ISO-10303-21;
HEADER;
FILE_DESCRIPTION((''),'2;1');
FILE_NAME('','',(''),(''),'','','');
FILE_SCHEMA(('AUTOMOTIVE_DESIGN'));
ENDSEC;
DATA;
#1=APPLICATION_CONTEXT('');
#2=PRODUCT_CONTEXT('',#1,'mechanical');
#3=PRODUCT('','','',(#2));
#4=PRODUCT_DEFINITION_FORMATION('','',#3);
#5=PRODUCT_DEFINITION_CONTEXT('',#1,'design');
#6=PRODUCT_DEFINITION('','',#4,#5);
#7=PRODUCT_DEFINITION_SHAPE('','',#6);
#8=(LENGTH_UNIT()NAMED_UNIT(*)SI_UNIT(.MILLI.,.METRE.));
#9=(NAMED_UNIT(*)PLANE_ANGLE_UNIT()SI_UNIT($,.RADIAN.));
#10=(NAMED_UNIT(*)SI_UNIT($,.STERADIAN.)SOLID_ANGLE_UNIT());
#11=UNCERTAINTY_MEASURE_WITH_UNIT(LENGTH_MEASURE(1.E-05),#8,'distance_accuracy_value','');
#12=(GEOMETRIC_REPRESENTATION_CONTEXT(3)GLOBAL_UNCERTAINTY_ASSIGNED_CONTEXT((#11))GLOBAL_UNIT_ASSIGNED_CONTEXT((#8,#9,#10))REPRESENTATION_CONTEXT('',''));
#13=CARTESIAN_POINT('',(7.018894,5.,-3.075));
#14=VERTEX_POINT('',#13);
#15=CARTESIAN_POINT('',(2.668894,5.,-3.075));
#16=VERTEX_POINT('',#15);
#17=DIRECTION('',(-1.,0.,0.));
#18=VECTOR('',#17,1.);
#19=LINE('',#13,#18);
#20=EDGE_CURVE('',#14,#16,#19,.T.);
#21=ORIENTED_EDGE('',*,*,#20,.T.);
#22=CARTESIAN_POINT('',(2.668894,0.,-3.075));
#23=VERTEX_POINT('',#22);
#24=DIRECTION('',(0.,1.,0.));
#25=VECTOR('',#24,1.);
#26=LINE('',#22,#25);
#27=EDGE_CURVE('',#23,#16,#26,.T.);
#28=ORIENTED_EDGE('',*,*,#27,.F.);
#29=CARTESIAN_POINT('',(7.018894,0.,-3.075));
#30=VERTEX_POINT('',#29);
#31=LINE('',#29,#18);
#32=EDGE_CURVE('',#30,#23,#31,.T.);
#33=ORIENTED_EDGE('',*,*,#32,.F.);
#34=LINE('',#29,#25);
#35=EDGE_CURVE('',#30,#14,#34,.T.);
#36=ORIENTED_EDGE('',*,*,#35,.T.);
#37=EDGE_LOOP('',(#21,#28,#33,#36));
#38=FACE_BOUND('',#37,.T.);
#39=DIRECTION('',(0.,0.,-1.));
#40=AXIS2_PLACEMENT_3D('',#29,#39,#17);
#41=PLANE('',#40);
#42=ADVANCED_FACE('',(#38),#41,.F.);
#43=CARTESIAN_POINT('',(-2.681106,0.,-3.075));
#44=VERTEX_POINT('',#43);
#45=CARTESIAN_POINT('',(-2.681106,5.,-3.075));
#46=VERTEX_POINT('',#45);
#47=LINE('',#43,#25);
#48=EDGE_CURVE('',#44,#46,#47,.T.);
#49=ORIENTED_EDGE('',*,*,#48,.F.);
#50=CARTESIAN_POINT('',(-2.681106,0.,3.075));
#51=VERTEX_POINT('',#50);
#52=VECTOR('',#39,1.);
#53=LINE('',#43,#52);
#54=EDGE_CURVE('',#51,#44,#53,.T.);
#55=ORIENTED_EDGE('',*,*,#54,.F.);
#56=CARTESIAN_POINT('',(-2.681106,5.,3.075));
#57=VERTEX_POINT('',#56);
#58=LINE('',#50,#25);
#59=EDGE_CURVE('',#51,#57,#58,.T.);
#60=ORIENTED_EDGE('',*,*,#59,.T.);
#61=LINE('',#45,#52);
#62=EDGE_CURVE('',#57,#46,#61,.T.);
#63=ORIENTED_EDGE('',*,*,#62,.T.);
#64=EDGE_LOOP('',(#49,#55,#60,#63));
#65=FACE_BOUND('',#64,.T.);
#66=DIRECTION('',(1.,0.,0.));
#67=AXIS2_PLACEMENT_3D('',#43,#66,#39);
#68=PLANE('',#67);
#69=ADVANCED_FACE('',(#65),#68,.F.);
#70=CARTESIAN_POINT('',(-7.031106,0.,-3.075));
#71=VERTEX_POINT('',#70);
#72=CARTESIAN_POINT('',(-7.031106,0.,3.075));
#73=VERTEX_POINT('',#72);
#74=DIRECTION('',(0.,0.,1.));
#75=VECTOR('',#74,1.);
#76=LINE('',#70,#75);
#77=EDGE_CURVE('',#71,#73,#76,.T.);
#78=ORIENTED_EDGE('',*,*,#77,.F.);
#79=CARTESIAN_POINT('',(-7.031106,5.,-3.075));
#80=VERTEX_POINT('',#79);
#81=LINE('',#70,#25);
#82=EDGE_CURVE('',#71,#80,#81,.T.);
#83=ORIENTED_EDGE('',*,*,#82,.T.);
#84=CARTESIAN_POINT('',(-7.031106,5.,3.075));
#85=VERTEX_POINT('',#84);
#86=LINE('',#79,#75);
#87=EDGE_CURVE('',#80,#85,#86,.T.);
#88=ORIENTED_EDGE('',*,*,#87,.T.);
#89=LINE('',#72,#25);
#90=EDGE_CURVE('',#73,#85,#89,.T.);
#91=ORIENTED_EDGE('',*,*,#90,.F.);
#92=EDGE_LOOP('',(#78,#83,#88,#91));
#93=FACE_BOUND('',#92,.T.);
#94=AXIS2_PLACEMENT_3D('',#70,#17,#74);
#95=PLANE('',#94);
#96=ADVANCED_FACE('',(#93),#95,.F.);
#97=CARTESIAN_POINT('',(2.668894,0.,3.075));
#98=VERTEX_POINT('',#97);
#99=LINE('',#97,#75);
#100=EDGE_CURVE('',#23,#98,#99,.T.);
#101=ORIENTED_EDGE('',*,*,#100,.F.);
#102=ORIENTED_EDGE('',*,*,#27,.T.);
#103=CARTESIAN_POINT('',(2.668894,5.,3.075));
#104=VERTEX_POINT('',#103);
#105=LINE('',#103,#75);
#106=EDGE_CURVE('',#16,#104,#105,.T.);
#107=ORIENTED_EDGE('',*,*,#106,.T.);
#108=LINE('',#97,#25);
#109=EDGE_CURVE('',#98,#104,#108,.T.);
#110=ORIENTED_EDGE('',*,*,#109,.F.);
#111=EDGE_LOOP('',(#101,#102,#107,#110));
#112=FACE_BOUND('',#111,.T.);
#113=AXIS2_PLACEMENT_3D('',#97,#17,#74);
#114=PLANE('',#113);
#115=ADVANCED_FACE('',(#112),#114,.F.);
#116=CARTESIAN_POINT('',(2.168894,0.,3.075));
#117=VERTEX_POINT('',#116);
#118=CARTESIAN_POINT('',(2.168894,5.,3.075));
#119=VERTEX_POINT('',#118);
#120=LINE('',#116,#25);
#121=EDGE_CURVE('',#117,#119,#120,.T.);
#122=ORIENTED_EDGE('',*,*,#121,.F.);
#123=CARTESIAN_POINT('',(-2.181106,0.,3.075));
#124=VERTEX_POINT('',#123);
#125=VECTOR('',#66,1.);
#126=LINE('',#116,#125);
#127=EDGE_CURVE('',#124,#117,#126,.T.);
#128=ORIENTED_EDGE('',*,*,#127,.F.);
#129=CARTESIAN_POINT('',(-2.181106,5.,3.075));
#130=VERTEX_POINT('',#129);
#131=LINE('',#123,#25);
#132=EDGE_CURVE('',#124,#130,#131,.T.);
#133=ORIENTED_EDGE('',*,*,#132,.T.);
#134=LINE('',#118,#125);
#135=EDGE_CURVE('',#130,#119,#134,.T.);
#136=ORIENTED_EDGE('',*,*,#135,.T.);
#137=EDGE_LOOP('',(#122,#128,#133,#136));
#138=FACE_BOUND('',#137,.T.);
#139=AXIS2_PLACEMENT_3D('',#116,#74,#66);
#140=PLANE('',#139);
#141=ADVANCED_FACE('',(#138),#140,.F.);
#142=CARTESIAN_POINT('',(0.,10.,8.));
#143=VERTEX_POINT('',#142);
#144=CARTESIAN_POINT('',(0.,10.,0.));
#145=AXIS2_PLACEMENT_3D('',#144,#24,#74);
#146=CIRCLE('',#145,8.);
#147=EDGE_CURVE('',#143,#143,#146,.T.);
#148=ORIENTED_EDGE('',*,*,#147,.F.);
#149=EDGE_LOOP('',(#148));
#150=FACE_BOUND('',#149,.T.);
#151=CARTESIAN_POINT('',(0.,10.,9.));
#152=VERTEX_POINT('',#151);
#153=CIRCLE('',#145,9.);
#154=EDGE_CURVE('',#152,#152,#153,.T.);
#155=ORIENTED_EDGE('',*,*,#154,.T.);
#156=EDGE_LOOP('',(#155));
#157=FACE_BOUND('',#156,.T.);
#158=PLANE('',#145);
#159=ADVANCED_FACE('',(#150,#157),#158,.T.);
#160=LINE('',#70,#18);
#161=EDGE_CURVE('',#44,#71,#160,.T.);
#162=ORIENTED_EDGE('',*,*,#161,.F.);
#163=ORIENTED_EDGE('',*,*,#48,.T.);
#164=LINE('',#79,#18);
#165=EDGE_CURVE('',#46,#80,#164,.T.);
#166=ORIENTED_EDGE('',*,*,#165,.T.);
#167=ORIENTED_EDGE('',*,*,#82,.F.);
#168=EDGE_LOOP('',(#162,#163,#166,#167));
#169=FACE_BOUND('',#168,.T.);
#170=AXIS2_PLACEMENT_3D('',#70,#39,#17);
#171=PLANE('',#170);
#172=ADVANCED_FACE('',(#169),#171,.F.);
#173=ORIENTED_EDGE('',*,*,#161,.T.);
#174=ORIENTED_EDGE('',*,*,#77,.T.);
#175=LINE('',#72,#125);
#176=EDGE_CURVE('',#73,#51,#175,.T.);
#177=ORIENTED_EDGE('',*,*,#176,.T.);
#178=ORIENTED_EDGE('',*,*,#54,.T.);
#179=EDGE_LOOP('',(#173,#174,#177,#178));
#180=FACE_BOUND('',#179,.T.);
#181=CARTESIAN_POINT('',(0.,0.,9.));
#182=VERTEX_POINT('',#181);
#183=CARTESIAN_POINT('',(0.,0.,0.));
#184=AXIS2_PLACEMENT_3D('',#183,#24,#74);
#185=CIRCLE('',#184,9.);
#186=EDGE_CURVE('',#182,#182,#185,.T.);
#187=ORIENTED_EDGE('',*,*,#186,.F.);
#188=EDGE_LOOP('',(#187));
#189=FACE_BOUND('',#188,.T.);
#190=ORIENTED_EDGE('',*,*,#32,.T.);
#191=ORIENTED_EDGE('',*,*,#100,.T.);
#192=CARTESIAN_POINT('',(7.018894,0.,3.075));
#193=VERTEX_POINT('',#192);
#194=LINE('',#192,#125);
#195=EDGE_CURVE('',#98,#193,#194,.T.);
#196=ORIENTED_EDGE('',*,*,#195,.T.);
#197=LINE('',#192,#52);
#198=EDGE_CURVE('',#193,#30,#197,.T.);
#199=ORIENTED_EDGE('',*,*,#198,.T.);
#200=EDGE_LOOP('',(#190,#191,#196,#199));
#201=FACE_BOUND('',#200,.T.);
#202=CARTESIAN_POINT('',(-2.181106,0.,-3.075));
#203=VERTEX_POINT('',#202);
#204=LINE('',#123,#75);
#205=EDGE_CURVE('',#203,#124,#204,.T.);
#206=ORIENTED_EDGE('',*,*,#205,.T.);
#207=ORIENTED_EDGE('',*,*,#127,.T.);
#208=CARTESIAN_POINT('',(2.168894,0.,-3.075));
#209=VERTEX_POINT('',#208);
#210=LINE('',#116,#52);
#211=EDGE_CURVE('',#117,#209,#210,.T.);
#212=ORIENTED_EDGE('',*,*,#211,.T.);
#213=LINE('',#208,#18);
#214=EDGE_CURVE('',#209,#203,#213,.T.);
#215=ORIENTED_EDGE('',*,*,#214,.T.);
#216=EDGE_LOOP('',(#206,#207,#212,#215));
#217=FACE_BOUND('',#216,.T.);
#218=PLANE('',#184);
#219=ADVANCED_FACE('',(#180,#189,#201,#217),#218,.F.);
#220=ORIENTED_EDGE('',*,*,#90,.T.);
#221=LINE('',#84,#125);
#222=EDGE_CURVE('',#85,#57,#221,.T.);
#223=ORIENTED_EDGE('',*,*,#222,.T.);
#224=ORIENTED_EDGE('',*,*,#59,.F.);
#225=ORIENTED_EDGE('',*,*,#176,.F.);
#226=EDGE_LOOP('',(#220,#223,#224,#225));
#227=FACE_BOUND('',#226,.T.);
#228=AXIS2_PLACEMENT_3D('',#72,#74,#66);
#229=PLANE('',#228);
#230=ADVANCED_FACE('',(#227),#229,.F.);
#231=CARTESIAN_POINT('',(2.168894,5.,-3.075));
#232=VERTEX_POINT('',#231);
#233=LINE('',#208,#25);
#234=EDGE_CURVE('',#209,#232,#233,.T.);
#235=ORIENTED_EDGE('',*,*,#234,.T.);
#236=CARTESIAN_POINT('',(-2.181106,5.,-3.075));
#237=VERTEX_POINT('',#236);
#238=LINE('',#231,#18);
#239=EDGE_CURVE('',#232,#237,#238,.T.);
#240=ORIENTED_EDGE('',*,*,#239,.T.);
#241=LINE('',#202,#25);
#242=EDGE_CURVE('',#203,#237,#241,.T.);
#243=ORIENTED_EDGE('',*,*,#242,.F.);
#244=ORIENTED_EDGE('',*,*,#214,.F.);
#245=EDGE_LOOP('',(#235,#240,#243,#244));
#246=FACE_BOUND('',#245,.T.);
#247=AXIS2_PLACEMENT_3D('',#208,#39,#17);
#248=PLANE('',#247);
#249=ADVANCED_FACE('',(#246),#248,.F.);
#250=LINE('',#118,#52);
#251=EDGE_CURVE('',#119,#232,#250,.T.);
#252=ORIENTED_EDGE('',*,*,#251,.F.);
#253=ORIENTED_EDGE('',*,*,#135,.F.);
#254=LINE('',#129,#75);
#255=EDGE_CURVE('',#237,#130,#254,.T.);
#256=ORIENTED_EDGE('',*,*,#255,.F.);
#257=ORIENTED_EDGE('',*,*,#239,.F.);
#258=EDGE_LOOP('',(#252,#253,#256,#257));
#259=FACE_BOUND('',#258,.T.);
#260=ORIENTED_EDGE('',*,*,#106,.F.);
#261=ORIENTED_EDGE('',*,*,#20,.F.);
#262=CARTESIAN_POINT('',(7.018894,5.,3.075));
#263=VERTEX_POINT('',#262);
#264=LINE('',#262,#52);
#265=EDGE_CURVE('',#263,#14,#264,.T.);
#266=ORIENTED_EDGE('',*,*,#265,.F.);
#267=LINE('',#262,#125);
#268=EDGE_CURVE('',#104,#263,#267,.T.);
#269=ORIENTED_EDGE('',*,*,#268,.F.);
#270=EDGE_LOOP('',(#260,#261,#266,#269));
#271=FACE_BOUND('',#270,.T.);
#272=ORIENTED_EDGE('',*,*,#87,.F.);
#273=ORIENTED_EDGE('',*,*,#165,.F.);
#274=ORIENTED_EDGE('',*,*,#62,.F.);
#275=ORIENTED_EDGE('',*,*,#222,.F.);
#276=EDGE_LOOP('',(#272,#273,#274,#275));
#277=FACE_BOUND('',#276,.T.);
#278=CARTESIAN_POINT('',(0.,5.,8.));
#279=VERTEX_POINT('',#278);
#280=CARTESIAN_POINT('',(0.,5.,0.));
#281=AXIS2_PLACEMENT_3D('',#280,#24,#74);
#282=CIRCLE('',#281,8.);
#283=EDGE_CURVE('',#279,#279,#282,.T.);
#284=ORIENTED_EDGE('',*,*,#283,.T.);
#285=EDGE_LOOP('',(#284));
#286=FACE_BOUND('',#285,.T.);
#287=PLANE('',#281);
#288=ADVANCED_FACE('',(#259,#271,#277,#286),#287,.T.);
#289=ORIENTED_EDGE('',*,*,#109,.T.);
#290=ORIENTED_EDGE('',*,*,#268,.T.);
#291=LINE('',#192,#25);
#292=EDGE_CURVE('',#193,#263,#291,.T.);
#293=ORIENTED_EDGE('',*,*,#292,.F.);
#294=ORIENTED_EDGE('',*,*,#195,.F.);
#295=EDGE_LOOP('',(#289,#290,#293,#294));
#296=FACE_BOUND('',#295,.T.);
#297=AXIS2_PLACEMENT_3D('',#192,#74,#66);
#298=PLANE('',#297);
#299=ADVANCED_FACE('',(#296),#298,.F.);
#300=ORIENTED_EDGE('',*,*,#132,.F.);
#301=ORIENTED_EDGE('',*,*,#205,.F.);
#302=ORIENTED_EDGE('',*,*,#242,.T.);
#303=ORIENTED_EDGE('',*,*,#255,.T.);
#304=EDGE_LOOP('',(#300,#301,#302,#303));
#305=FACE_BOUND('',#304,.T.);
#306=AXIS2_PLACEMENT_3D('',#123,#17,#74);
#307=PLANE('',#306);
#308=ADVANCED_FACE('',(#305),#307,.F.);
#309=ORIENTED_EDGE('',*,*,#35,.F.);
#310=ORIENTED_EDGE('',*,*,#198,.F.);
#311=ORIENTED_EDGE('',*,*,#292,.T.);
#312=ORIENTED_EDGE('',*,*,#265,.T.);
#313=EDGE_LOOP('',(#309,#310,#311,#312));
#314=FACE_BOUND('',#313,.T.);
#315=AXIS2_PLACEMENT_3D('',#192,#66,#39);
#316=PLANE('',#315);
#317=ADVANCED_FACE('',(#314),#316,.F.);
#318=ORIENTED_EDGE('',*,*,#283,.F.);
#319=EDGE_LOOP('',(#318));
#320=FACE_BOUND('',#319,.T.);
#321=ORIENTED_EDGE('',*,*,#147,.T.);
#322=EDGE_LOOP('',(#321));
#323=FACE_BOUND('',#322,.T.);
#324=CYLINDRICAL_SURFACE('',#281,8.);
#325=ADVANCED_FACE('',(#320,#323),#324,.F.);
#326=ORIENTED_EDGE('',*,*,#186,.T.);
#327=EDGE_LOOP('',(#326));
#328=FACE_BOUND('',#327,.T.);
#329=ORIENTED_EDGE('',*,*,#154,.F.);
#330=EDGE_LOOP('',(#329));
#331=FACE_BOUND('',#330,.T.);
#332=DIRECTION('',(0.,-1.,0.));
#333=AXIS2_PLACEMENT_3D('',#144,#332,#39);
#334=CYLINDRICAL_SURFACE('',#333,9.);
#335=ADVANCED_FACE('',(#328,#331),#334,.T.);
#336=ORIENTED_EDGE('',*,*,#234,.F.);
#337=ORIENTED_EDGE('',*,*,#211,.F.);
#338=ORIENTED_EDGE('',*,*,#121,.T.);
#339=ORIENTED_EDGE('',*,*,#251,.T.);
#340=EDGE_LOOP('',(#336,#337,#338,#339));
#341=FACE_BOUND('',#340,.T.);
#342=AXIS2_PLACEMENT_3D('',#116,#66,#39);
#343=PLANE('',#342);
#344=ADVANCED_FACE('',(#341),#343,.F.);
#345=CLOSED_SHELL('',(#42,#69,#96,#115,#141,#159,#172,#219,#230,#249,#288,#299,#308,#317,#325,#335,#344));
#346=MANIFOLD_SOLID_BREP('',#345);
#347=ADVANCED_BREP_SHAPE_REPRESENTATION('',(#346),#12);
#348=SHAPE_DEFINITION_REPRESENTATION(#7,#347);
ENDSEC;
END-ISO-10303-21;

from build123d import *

# Parameters (mm, degrees)
SKETCH2_R           = 9
BOSS_EXTRUDE2_DEPTH = 10
SKETCH3_R           = 8
CUT_EXTRUDE1_DEPTH  = 5
SKETCH4_W           = 4.35
SKETCH4_H           = 6.15
CUT_EXTRUDE2_DEPTH  = 6


with BuildPart() as part:
    # Sketch2 → Boss-Extrude2 (new body)
    with BuildSketch(Plane(origin=(0, 0, 0), x_dir=(1, 0, 0), z_dir=(0, 1, 0))):
        Circle(SKETCH2_R)
    extrude(amount=BOSS_EXTRUDE2_DEPTH)

    # Sketch3 → Cut-Extrude1 (cut)
    with BuildSketch(Plane(origin=(0, 10, 0), x_dir=(1, 0, 0), z_dir=(0, 1, 0))):
        Circle(SKETCH3_R)
    extrude(amount=-CUT_EXTRUDE1_DEPTH, mode=Mode.SUBTRACT)

    # Sketch4 → Cut-Extrude2 (cut, through all)
    with BuildSketch(Plane(origin=(0, 5, 0), x_dir=(1, 0, 0), z_dir=(0, 1, 0))):
        with Locations((-0.006105592, 0)):
            Rectangle(SKETCH4_W, SKETCH4_H)
        with Locations((-4.856105592, 0)):
            Rectangle(SKETCH4_W, SKETCH4_H)
        with Locations((4.843894408, 0)):
            Rectangle(SKETCH4_W, SKETCH4_H)
    extrude(amount=-CUT_EXTRUDE2_DEPTH, mode=Mode.SUBTRACT)


solid = part.part
